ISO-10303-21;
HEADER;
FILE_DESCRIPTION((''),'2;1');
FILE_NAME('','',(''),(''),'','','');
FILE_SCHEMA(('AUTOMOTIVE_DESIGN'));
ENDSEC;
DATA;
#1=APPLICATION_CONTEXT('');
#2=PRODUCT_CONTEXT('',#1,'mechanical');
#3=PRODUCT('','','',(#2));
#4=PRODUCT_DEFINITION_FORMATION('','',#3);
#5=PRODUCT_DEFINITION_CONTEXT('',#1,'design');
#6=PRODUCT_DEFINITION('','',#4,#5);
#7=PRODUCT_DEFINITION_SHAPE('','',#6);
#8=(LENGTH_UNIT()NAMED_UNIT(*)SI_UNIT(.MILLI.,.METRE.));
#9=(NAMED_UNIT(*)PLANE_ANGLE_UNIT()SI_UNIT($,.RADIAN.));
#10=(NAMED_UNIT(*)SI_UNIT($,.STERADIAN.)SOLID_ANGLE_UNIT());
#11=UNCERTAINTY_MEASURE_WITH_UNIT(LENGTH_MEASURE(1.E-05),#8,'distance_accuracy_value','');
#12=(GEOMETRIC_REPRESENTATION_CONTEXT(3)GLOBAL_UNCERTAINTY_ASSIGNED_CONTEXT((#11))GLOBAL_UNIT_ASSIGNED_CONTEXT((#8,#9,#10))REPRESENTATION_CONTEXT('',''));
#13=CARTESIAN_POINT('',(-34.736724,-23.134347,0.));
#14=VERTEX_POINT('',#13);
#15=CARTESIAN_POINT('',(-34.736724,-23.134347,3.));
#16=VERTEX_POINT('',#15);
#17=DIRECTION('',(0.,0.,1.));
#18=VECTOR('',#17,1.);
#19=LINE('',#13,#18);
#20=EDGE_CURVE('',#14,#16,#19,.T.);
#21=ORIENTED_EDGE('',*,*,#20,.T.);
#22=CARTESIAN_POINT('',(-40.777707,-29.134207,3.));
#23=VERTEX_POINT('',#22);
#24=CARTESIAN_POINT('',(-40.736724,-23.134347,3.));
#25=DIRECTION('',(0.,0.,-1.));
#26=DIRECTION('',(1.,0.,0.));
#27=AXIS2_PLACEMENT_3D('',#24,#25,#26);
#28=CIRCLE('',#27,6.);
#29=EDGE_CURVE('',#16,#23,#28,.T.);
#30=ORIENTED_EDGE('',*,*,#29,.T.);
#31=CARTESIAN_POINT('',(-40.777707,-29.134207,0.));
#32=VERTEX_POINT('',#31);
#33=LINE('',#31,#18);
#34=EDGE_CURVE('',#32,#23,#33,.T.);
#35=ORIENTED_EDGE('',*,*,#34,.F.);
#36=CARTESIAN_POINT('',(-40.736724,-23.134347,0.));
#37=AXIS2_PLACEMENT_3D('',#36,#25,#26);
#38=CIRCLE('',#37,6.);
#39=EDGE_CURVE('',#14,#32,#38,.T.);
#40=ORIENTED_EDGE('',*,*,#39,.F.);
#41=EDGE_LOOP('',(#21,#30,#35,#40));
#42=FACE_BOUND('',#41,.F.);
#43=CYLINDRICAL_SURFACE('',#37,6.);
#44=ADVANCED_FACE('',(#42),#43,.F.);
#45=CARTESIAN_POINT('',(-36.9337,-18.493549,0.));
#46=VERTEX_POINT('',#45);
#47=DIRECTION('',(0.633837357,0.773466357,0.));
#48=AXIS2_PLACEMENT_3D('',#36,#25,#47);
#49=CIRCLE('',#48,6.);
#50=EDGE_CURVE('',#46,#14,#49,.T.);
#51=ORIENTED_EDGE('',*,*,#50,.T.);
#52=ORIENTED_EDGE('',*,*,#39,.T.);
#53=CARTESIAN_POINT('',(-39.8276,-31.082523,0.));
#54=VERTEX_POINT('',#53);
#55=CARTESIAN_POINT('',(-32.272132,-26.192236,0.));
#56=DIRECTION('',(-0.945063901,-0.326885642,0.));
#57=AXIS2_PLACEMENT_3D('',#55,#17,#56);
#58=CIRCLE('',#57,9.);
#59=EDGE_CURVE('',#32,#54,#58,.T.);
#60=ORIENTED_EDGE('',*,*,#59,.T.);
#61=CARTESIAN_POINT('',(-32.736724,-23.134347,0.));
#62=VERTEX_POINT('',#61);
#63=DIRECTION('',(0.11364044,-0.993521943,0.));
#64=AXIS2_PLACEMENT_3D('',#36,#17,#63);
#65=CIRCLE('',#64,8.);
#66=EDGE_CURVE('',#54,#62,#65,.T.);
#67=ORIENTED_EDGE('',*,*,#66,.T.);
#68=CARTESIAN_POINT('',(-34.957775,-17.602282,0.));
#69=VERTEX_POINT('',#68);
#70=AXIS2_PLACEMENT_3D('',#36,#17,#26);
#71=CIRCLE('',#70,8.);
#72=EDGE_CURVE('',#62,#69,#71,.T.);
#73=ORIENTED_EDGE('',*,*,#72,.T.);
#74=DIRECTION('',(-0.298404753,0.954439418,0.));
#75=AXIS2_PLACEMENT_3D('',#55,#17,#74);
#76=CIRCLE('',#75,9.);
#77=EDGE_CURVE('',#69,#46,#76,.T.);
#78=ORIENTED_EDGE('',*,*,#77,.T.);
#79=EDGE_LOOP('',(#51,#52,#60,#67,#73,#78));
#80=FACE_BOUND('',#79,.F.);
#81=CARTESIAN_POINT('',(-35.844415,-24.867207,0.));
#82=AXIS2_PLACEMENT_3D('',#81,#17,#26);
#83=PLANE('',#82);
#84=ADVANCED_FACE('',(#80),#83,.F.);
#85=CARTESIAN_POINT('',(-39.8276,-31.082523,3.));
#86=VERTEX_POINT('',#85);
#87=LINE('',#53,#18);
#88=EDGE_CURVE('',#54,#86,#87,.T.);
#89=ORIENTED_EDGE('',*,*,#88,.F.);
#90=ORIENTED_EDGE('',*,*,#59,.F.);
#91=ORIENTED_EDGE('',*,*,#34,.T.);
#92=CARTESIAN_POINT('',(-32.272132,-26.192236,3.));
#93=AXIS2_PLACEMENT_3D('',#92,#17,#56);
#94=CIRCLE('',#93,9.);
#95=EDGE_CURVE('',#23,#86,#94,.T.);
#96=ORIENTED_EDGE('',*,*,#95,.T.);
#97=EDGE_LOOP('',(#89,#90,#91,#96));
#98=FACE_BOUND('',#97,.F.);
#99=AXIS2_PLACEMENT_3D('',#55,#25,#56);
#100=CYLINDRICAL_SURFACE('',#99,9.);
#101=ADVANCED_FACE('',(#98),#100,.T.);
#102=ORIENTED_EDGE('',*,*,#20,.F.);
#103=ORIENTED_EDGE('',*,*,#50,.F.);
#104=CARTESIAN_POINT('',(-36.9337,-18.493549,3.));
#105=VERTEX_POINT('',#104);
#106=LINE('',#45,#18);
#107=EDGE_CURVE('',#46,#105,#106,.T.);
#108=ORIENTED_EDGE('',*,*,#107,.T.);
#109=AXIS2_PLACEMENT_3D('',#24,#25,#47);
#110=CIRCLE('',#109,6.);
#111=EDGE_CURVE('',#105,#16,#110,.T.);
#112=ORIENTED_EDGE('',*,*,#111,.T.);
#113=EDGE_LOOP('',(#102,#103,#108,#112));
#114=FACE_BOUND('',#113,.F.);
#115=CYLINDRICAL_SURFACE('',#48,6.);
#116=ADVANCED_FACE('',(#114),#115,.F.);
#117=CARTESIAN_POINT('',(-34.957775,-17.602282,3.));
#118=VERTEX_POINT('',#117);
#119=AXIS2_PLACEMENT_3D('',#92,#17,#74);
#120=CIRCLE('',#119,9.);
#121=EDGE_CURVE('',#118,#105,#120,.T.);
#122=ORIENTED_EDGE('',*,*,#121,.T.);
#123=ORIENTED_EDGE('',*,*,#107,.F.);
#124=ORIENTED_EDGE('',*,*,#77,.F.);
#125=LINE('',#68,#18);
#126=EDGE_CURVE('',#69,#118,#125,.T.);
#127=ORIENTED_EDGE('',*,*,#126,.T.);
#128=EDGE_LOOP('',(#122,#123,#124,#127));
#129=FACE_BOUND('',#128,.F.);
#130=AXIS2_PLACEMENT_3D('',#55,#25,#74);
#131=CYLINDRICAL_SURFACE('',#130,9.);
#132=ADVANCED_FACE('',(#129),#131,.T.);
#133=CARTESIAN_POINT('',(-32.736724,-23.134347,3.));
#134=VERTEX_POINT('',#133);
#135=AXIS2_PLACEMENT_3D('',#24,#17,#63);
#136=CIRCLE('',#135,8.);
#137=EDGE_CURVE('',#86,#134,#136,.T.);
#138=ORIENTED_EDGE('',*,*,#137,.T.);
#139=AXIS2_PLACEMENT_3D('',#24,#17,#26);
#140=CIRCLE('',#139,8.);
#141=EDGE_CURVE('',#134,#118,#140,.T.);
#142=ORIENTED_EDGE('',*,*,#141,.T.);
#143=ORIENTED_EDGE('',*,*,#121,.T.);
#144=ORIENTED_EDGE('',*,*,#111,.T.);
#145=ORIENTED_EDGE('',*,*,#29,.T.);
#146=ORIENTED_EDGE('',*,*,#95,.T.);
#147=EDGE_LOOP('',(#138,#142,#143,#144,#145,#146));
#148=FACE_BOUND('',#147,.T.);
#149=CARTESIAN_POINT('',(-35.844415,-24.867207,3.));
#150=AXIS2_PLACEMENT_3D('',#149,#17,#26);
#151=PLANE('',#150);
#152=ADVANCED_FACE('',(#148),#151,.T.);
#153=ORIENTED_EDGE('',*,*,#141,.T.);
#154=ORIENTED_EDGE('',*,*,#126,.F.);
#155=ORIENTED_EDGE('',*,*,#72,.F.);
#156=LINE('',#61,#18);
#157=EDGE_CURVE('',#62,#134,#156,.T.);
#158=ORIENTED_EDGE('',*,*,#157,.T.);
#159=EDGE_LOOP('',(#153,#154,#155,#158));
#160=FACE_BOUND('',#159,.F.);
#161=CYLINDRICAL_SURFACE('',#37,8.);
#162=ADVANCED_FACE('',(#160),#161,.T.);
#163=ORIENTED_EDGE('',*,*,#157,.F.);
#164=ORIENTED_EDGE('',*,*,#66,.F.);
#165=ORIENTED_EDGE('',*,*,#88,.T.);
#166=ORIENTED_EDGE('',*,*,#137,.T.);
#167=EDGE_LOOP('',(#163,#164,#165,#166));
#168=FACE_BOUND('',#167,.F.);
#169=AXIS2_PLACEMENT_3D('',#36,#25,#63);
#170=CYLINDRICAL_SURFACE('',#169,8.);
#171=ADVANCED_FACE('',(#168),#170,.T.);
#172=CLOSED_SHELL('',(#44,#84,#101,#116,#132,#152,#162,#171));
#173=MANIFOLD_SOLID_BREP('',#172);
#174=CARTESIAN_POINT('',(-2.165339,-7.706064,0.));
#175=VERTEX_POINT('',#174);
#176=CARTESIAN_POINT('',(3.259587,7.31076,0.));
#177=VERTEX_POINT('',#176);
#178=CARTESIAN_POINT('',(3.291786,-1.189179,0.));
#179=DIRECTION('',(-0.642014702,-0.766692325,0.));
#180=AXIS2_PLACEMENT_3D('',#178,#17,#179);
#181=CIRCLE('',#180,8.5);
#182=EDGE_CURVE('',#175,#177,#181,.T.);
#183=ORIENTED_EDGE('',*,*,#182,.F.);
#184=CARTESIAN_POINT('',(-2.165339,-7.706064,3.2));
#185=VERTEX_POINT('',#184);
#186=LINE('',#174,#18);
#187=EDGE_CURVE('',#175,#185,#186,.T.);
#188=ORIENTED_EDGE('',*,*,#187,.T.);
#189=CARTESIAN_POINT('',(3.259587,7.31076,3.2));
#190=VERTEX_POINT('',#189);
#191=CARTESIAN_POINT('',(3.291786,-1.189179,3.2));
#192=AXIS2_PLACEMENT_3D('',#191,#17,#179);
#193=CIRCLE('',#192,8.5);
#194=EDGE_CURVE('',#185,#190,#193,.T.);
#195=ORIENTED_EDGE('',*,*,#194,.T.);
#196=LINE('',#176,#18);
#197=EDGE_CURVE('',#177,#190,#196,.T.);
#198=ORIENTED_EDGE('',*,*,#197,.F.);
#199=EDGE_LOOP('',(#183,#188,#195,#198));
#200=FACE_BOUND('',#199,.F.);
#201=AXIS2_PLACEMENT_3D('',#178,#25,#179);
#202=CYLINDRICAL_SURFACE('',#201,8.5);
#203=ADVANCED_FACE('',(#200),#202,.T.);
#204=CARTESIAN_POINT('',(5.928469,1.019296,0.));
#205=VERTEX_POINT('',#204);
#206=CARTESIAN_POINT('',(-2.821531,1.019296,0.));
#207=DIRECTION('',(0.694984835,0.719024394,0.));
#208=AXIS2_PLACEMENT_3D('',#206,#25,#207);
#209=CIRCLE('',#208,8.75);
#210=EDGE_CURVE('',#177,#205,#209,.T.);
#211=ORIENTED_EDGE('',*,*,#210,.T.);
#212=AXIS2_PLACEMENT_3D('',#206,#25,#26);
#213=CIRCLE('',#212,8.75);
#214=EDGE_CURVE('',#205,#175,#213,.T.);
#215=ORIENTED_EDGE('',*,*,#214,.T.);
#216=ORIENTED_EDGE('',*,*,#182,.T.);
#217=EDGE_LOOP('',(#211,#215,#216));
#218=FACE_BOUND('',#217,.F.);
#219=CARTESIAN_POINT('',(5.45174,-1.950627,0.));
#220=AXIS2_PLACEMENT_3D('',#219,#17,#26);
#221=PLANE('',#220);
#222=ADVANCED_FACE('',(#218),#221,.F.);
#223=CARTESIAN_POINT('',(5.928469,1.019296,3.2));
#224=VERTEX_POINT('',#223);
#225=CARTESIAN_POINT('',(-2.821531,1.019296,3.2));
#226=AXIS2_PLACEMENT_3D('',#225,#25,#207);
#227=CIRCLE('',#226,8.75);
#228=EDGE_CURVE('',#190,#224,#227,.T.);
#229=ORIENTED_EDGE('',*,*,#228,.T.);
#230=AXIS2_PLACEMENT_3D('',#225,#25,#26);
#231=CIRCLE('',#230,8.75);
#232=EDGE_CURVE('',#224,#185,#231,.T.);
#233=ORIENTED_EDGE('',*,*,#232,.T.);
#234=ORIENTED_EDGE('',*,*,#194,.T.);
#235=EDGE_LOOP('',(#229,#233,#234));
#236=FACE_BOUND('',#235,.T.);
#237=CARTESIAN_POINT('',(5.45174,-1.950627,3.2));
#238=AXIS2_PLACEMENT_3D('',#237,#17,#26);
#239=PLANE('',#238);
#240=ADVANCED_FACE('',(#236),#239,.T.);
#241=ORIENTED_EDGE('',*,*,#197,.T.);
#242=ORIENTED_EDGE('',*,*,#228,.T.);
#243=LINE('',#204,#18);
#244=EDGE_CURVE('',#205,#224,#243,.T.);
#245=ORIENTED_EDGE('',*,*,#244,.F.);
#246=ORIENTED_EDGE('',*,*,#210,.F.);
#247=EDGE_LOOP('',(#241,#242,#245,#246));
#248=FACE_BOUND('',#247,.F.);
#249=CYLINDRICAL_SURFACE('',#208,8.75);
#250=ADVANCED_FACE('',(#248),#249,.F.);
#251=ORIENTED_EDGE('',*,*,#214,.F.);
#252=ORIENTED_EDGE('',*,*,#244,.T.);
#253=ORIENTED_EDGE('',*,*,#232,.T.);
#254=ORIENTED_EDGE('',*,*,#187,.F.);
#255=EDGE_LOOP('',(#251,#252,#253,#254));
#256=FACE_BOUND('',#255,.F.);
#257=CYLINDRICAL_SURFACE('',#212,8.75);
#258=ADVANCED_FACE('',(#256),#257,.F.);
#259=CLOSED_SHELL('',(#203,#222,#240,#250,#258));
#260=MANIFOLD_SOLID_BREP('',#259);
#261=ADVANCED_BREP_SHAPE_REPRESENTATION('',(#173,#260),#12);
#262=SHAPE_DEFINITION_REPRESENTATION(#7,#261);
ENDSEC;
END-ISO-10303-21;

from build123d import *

# Parameters (mm, degrees)
F1_DEPTH = 3
F5_DEPTH = 3
F6_DEPTH = 3.2


with BuildPart() as f1:
    # F0 (on Top) → F1 (new body)
    with BuildSketch(Plane.XY):
        with BuildLine():
            Line((-40.4015687406, 36.8140898645), (-40.4015687406, 43.3875212363))
            ThreePointArc((-40.4015687406, 43.3875212363), (-46.4015687406, 45.7140898645), (-52.4015687406, 43.3875212363))
            Line((-52.4015687406, 43.3875212363), (-52.4015687406, 36.8140898645))
            Line((-52.4015687406, 36.8140898645), (-52.1643805543, 36.8140898645))
            ThreePointArc((-52.1643805543, 36.8140898645), (-46.4015687406, 40.9140898645), (-40.6387569269, 36.8140898645))
            Line((-40.6387569269, 36.8140898645), (-40.4015687406, 36.8140898645))
        make_face()
    extrude(amount=F1_DEPTH)


with BuildPart() as f5:
    # F2 (on Top) → F5 (new body)
    with BuildSketch(Plane.XY):
        with BuildLine():
            ThreePointArc((-32.7367236912, -23.1343470514), (-33.3127223538, -20.1537088408), (-34.9577747267, -17.602281536))
            ThreePointArc((-34.9577747267, -17.602281536), (-35.972667649, -17.9882107323), (-36.9336995487, -18.4935489119))
            ThreePointArc((-36.9336995487, -18.4935489119), (-35.3137104672, -20.5670668617), (-34.7367236912, -23.1343470514))
            ThreePointArc((-34.7367236912, -23.1343470514), (-36.5085976414, -27.3914528883), (-40.7777070602, -29.13420708))
            ThreePointArc((-40.7777070602, -29.13420708), (-40.3615238643, -30.1370732404), (-39.8276001695, -31.0825225919))
            ThreePointArc((-39.8276001695, -31.0825225919), (-34.7670927071, -28.4600869918), (-32.7367236912, -23.1343470514))
        make_face()
    extrude(amount=F5_DEPTH)


with BuildPart() as f6:
    # F3 (on Top) → F6 (new body)
    with BuildSketch(Plane.XY):
        with BuildLine():
            ThreePointArc((-2.1653392936, -7.7060639193), (6.8879251173, -8.8909829108), (11.7917856768, -1.189179153))
            ThreePointArc((11.7917856768, -1.189179153), (9.2907984687, 4.8326017732), (3.2595867301, 7.3107598602))
            ThreePointArc((3.2595867301, 7.3107598602), (5.233662666, 4.4363655949), (5.9284694199, 1.0192964169))
            ThreePointArc((5.9284694199, 1.0192964169), (3.5934586544, -4.9313685142), (-2.1653392936, -7.7060639193))
        make_face()
    extrude(amount=F6_DEPTH)


solid = Compound([f5.part, f6.part])
